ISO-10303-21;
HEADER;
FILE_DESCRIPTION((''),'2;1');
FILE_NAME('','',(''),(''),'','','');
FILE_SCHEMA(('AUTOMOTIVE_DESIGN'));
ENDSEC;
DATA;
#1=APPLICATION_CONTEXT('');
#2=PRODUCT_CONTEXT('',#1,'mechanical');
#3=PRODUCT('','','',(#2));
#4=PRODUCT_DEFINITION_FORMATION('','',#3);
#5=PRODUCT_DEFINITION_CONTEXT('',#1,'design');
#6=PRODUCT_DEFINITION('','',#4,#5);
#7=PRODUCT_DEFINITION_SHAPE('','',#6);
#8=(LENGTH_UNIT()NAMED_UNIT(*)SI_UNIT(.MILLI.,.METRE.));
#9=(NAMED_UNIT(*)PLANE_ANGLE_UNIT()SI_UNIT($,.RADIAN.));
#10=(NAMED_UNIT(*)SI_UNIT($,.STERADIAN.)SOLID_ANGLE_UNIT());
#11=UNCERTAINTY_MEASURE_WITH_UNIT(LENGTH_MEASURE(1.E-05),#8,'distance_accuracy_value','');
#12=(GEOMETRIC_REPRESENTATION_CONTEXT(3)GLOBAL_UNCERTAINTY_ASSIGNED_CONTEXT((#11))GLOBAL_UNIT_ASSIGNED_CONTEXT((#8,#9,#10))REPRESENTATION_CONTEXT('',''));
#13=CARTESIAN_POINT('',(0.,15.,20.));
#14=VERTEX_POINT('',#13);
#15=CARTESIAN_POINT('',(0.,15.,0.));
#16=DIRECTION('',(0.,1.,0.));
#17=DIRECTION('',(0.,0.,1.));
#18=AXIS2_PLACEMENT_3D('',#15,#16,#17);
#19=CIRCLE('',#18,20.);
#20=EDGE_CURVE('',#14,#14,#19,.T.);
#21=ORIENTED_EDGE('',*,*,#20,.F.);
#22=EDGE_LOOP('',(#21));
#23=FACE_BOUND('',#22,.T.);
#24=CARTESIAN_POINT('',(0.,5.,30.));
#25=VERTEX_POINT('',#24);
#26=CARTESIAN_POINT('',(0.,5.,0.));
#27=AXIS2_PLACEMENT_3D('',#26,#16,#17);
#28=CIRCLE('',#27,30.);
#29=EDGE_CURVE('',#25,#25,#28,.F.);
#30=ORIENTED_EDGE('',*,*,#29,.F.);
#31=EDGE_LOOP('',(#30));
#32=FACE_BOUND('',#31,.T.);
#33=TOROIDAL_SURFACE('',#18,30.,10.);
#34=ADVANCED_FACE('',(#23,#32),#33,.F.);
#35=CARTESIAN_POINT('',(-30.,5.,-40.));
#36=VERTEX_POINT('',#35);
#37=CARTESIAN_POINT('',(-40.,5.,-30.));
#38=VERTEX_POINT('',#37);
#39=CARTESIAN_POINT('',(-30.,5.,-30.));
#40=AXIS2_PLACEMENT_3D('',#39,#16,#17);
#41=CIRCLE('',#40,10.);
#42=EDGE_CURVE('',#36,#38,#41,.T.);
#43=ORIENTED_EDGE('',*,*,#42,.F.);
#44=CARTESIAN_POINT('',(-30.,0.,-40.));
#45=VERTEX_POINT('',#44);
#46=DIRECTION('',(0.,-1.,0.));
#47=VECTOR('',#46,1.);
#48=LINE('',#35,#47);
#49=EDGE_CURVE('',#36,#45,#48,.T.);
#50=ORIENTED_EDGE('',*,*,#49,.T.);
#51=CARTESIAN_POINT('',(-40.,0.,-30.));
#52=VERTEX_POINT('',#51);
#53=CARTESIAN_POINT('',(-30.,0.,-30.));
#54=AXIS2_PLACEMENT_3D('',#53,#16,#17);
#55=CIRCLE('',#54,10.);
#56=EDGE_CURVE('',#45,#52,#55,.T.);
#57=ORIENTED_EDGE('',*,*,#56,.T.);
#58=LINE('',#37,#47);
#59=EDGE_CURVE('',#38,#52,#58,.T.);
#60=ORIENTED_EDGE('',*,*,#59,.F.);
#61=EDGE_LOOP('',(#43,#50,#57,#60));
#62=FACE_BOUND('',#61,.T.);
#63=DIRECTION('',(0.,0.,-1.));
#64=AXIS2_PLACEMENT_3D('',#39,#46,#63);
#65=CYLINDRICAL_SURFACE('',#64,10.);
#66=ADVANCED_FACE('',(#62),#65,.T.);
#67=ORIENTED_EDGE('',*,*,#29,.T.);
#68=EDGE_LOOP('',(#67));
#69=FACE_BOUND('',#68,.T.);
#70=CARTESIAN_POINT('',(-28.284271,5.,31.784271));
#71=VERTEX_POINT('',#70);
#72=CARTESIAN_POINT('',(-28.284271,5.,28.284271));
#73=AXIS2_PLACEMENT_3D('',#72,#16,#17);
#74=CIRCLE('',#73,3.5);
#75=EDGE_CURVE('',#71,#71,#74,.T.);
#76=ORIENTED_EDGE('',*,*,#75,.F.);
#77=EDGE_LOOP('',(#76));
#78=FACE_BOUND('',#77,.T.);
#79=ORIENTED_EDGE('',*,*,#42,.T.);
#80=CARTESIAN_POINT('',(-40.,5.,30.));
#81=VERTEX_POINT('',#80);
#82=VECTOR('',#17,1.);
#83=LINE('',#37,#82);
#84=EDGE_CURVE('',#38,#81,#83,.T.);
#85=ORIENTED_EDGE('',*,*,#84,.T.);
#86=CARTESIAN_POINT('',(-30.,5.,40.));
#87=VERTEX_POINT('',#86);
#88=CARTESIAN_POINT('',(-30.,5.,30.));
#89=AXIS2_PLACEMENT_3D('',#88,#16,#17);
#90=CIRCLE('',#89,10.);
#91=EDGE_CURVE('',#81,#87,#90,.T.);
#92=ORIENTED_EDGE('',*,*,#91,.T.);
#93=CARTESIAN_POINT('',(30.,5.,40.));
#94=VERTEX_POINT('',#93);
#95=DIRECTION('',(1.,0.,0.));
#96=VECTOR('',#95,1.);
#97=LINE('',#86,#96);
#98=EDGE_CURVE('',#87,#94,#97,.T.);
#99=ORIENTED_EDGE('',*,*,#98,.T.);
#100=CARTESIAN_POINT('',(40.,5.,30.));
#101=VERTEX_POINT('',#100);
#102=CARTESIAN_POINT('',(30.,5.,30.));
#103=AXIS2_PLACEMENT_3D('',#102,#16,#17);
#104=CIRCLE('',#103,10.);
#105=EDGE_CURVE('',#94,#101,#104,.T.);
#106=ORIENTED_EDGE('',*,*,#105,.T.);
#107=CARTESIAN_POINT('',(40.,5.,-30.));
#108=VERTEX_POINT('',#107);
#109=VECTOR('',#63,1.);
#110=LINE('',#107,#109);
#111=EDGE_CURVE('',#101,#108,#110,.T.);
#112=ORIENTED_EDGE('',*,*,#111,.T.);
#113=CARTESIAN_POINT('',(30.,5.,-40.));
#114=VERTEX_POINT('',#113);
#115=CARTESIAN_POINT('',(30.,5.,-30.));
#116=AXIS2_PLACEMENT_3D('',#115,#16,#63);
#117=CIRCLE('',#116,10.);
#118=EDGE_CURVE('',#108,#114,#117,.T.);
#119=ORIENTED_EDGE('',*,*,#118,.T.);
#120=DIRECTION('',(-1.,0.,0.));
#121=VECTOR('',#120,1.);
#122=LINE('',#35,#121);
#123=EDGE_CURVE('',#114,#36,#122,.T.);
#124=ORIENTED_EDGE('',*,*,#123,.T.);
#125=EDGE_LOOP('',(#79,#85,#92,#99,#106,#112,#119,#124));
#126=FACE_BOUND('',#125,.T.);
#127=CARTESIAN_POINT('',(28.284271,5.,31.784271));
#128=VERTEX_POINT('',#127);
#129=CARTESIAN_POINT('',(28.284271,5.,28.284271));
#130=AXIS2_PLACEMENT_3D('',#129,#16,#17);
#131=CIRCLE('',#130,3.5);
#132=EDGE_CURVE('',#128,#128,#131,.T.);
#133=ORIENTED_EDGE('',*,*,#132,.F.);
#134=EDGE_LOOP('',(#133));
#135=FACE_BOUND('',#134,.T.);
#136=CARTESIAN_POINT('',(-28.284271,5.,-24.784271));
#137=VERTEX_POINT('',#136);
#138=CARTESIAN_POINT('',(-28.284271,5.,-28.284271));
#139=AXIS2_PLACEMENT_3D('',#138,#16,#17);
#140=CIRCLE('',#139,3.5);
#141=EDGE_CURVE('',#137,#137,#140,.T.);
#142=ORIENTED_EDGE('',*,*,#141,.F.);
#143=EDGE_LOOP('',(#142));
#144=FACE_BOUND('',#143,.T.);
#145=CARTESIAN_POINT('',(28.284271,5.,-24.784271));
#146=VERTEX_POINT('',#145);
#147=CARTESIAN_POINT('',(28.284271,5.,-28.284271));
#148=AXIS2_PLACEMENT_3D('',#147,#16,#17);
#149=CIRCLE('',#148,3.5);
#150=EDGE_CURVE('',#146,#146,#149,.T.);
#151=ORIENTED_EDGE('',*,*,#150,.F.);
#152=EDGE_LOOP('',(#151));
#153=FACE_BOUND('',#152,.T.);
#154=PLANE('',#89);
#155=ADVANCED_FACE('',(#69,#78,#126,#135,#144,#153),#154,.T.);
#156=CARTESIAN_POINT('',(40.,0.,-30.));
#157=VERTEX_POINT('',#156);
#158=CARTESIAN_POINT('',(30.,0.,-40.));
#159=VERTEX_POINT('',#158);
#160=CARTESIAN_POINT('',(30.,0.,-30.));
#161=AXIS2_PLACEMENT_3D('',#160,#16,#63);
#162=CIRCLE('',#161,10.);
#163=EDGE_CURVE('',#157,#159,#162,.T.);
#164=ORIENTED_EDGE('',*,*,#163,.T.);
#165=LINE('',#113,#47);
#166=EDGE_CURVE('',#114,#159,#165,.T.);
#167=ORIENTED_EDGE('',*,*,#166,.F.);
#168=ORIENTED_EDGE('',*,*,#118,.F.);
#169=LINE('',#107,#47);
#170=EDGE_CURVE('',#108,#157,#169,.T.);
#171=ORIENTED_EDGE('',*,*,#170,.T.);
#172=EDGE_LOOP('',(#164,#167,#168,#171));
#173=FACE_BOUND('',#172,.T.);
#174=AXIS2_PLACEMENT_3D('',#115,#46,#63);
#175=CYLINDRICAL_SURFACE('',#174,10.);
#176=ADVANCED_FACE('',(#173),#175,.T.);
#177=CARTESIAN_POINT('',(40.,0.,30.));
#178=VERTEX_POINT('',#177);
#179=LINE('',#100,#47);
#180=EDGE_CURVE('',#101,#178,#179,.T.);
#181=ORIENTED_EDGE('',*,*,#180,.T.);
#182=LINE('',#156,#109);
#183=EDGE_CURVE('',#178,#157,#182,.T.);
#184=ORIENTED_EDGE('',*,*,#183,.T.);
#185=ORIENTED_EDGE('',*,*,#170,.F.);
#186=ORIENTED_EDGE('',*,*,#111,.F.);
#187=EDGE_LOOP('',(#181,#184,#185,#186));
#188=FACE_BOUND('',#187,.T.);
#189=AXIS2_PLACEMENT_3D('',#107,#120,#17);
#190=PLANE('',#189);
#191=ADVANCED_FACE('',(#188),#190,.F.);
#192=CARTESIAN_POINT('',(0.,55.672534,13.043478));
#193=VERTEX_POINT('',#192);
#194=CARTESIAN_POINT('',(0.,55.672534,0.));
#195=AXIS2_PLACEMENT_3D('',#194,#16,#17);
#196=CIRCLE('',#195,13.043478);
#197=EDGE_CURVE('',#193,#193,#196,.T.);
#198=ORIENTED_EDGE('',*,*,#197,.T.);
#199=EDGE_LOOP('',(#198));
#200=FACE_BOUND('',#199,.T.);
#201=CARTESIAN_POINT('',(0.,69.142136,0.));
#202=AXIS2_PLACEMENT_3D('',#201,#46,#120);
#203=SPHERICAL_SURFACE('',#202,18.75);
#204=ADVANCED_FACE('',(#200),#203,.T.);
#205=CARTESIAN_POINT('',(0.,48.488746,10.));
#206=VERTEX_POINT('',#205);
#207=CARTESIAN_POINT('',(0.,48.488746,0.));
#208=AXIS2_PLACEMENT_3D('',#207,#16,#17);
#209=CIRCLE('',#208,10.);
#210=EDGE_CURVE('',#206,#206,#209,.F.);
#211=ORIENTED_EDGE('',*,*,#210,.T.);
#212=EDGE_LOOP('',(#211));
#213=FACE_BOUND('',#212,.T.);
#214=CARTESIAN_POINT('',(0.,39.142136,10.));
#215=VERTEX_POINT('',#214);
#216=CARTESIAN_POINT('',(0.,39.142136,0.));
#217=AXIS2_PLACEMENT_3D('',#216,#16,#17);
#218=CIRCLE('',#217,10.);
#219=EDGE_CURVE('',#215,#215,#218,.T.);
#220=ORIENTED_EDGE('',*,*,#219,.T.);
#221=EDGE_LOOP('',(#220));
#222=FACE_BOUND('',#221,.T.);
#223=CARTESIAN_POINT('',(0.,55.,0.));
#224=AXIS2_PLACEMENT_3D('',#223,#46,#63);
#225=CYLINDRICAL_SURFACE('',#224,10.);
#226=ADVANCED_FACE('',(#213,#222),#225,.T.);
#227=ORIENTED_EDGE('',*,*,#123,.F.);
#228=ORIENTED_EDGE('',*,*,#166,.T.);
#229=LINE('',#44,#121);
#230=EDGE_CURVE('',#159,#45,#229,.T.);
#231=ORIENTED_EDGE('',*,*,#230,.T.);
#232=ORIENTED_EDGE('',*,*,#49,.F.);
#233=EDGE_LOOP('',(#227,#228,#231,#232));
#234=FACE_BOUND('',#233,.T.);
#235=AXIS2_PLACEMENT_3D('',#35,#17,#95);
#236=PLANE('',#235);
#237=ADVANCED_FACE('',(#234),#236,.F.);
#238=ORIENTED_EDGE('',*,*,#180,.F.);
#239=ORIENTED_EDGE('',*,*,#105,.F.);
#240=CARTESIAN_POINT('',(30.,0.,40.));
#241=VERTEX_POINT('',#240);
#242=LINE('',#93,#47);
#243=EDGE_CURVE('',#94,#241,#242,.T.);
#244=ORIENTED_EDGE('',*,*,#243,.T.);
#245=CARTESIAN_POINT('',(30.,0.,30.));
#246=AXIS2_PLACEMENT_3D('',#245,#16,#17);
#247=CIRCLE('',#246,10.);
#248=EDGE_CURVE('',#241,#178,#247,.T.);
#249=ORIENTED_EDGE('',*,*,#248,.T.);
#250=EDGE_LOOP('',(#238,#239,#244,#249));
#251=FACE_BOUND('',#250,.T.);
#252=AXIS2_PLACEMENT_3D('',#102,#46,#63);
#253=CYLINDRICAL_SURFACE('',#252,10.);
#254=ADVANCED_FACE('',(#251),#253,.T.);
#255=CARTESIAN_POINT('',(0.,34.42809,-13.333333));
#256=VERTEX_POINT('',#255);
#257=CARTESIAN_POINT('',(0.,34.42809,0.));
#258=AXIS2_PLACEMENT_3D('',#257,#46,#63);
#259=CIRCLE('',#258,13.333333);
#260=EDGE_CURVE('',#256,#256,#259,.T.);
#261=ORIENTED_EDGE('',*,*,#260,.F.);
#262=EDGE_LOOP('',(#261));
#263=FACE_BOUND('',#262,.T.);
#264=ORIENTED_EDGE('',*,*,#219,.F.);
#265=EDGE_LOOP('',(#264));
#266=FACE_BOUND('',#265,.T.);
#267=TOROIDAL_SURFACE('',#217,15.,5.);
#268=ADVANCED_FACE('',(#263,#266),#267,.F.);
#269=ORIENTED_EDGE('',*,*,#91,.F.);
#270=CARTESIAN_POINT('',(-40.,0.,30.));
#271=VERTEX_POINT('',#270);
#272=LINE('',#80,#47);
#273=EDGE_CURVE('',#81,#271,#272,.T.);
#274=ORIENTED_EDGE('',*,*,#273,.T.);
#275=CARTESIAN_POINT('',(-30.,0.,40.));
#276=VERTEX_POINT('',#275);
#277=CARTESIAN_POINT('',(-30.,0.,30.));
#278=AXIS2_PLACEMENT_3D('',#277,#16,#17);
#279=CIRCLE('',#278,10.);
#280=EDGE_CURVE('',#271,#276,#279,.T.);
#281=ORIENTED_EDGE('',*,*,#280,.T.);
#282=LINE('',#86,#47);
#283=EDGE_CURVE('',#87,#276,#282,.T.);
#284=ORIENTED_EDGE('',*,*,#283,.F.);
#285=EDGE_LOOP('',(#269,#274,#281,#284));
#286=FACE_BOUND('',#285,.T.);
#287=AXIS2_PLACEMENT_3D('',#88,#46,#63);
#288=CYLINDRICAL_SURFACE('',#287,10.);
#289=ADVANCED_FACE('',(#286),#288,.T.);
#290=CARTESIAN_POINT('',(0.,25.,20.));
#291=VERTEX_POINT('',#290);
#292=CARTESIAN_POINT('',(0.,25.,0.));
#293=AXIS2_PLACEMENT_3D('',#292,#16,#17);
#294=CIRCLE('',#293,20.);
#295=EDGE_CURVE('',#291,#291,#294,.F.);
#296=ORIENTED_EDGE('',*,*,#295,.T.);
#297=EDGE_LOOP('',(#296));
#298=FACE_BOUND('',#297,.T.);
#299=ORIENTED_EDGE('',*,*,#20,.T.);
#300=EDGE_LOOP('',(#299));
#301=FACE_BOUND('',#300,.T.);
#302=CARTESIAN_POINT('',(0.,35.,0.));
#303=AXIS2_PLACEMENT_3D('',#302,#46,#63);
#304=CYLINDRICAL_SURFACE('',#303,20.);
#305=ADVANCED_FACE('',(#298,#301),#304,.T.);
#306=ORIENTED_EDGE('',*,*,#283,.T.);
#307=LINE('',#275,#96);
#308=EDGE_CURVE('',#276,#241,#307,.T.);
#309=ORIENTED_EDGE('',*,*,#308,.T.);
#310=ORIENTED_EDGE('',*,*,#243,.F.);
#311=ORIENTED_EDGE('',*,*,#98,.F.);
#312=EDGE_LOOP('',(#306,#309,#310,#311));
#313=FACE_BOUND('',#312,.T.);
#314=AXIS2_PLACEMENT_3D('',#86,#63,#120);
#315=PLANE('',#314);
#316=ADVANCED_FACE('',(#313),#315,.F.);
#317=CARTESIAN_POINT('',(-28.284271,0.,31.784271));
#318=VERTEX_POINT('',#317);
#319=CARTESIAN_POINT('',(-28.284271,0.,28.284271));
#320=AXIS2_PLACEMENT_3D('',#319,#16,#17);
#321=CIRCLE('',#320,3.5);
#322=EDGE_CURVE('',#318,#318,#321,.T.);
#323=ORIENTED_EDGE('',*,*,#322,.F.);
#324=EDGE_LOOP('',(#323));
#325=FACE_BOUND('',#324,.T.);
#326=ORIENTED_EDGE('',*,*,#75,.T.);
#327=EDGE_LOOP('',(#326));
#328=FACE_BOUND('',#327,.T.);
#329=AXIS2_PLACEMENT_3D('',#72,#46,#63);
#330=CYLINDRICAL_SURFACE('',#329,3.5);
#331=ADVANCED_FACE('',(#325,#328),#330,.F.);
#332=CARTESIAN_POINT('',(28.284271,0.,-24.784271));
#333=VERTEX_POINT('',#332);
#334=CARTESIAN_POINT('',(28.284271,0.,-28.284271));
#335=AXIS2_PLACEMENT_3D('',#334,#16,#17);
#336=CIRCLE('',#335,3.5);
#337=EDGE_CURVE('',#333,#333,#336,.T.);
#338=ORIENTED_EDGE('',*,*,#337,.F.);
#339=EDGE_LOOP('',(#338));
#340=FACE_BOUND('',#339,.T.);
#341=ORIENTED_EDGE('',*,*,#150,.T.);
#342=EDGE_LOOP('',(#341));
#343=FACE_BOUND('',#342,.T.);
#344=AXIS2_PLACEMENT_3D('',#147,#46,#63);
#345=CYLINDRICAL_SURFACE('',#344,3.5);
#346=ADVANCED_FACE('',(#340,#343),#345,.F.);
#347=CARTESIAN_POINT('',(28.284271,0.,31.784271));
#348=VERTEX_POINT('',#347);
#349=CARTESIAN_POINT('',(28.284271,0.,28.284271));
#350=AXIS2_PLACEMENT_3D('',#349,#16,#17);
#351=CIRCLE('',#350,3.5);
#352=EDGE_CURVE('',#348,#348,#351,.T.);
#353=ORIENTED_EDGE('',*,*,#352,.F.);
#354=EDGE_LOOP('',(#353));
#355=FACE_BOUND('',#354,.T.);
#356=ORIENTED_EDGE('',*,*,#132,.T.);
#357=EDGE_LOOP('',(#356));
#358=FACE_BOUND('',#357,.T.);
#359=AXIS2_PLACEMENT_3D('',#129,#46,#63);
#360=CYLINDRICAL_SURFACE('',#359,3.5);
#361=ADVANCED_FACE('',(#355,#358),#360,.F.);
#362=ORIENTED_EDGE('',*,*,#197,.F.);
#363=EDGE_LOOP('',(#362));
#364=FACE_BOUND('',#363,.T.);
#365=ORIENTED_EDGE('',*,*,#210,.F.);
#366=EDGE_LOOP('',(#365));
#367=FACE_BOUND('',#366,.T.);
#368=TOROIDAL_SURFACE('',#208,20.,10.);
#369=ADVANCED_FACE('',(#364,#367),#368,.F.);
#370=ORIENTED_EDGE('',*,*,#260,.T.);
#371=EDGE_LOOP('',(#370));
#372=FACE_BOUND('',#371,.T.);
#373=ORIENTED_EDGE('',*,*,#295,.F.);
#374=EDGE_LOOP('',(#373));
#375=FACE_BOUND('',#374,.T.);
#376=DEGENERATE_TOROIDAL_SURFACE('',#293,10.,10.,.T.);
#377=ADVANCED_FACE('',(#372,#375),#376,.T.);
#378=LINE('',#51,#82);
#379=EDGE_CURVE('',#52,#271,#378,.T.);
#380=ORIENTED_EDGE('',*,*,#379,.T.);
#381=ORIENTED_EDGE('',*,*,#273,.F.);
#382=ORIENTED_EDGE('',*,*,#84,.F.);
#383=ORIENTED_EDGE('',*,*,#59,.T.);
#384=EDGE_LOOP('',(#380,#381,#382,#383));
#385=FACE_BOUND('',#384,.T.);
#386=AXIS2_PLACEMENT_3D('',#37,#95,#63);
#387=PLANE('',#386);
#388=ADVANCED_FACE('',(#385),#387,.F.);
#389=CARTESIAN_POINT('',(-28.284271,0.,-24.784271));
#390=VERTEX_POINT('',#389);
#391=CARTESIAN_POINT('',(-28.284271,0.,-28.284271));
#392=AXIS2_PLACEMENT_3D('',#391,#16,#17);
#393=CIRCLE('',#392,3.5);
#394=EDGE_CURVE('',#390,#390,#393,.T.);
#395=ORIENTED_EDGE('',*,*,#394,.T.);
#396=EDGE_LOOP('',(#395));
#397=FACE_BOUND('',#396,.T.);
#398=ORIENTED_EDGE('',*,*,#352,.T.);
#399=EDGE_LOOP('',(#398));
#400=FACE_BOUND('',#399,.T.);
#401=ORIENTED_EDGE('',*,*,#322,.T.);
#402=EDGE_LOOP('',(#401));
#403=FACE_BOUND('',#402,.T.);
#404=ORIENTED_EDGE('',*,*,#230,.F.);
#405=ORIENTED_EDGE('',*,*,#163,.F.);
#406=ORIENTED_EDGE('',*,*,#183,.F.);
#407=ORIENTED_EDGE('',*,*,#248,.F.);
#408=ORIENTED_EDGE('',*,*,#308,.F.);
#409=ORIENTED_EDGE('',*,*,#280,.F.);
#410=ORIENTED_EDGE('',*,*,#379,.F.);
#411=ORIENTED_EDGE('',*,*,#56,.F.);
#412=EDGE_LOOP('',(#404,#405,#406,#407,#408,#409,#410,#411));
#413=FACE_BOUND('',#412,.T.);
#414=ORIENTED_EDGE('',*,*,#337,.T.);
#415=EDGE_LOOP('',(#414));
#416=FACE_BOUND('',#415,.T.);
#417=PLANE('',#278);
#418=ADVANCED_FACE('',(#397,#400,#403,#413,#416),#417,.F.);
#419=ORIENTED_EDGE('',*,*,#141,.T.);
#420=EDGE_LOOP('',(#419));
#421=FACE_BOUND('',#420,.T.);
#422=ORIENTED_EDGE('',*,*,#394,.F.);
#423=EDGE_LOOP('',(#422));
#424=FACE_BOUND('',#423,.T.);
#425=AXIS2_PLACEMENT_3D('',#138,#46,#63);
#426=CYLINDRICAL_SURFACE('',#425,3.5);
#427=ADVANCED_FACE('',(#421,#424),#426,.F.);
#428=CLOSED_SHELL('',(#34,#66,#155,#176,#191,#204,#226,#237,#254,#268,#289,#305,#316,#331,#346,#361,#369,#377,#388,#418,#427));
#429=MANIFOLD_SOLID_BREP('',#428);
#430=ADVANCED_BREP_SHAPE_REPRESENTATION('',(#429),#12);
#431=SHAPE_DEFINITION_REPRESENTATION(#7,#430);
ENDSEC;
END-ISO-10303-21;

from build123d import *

# Parameters (mm, degrees)
SKETCH1_R           = 3.5
BOSS_EXTRUDE1_DEPTH = 5
SKETCH2_R           = 20
BOSS_EXTRUDE2_DEPTH = 30
FILLET1_R           = 10
SKETCH3_R           = 10
BOSS_EXTRUDE3_DEPTH = 20
FILLET2_R           = 5
FILLET3_R           = 10


with BuildPart() as part:
    # Sketch1 → Boss-Extrude1 (new body)
    with BuildSketch(Plane(origin=(0, 0, 0), x_dir=(1, 0, 0), z_dir=(0, 1, 0))):
        with BuildLine():
            Line((-30, 40), (30, 40))
            ThreePointArc((30, 40), (37.071067812, 37.071067812), (40, 30))
            Line((40, 30), (40, -30))
            ThreePointArc((40, -30), (37.071067812, -37.071067812), (30, -40))
            Line((30, -40), (-30, -40))
            ThreePointArc((-30, -40), (-37.071067812, -37.071067812), (-40, -30))
            Line((-40, -30), (-40, 30))
            ThreePointArc((-40, 30), (-37.071067812, 37.071067812), (-30, 40))
        make_face()
        with Locations(Location((-28.284271247, 28.284271247, 0), (0, 0, 270))):
            Circle(SKETCH1_R, mode=Mode.SUBTRACT)
        with Locations(Location((28.284271247, 28.284271247, 0), (0, 0, 270))):
            Circle(SKETCH1_R, mode=Mode.SUBTRACT)
        with Locations(Location((28.284271247, -28.284271247, 0), (0, 0, 270))):
            Circle(SKETCH1_R, mode=Mode.SUBTRACT)
        with Locations(Location((-28.284271247, -28.284271247, 0), (0, 0, 270))):
            Circle(SKETCH1_R, mode=Mode.SUBTRACT)
    extrude(amount=BOSS_EXTRUDE1_DEPTH)

    # Sketch2 → Boss-Extrude2 (add)
    with BuildSketch(Plane(origin=(0, 5, 0), x_dir=(1, 0, 0), z_dir=(0, 1, 0))):
        with Locations(Location((0, 0, 0), (0, 0, 270))):
            Circle(SKETCH2_R)
    extrude(amount=BOSS_EXTRUDE2_DEPTH)

    # Fillet1
    fillet1_edges = [part.edges().sort_by_distance(p)[0] for p in [
        (0, 5, -20),
        (0, 35, -20),
    ]]
    fillet(fillet1_edges, radius=FILLET1_R)

    # Sketch3 → Boss-Extrude3 (add)
    with BuildSketch(Plane(origin=(0, 35, 0), x_dir=(1, 0, 0), z_dir=(0, 1, 0))):
        with Locations(Location((0, 0, 0), (0, 0, 270))):
            Circle(SKETCH3_R)
    extrude(amount=BOSS_EXTRUDE3_DEPTH)

    # Fillet2
    fillet2_edges = [part.edges().sort_by_distance(p)[0] for p in [
        (0, 35, -10),
    ]]
    fillet(fillet2_edges, radius=FILLET2_R)

    # Sketch4 → Revolve1 (revolve)
    with BuildSketch(Plane.XY):
        with BuildLine():
            Line((0, 50.392135624), (0, 87.892135624))
            ThreePointArc((0, 87.892135624), (18.75, 69.142135624), (0, 50.392135624))
        make_face()
    revolve(axis=Axis((0, 55, 0), (0, 1, 0)))

    # Fillet3
    fillet3_edges = [part.edges().sort_by_distance(p)[0] for p in [
        (-7.071067812, 53.281413698, -7.071067812),
    ]]
    fillet(fillet3_edges, radius=FILLET3_R)


solid = part.part
